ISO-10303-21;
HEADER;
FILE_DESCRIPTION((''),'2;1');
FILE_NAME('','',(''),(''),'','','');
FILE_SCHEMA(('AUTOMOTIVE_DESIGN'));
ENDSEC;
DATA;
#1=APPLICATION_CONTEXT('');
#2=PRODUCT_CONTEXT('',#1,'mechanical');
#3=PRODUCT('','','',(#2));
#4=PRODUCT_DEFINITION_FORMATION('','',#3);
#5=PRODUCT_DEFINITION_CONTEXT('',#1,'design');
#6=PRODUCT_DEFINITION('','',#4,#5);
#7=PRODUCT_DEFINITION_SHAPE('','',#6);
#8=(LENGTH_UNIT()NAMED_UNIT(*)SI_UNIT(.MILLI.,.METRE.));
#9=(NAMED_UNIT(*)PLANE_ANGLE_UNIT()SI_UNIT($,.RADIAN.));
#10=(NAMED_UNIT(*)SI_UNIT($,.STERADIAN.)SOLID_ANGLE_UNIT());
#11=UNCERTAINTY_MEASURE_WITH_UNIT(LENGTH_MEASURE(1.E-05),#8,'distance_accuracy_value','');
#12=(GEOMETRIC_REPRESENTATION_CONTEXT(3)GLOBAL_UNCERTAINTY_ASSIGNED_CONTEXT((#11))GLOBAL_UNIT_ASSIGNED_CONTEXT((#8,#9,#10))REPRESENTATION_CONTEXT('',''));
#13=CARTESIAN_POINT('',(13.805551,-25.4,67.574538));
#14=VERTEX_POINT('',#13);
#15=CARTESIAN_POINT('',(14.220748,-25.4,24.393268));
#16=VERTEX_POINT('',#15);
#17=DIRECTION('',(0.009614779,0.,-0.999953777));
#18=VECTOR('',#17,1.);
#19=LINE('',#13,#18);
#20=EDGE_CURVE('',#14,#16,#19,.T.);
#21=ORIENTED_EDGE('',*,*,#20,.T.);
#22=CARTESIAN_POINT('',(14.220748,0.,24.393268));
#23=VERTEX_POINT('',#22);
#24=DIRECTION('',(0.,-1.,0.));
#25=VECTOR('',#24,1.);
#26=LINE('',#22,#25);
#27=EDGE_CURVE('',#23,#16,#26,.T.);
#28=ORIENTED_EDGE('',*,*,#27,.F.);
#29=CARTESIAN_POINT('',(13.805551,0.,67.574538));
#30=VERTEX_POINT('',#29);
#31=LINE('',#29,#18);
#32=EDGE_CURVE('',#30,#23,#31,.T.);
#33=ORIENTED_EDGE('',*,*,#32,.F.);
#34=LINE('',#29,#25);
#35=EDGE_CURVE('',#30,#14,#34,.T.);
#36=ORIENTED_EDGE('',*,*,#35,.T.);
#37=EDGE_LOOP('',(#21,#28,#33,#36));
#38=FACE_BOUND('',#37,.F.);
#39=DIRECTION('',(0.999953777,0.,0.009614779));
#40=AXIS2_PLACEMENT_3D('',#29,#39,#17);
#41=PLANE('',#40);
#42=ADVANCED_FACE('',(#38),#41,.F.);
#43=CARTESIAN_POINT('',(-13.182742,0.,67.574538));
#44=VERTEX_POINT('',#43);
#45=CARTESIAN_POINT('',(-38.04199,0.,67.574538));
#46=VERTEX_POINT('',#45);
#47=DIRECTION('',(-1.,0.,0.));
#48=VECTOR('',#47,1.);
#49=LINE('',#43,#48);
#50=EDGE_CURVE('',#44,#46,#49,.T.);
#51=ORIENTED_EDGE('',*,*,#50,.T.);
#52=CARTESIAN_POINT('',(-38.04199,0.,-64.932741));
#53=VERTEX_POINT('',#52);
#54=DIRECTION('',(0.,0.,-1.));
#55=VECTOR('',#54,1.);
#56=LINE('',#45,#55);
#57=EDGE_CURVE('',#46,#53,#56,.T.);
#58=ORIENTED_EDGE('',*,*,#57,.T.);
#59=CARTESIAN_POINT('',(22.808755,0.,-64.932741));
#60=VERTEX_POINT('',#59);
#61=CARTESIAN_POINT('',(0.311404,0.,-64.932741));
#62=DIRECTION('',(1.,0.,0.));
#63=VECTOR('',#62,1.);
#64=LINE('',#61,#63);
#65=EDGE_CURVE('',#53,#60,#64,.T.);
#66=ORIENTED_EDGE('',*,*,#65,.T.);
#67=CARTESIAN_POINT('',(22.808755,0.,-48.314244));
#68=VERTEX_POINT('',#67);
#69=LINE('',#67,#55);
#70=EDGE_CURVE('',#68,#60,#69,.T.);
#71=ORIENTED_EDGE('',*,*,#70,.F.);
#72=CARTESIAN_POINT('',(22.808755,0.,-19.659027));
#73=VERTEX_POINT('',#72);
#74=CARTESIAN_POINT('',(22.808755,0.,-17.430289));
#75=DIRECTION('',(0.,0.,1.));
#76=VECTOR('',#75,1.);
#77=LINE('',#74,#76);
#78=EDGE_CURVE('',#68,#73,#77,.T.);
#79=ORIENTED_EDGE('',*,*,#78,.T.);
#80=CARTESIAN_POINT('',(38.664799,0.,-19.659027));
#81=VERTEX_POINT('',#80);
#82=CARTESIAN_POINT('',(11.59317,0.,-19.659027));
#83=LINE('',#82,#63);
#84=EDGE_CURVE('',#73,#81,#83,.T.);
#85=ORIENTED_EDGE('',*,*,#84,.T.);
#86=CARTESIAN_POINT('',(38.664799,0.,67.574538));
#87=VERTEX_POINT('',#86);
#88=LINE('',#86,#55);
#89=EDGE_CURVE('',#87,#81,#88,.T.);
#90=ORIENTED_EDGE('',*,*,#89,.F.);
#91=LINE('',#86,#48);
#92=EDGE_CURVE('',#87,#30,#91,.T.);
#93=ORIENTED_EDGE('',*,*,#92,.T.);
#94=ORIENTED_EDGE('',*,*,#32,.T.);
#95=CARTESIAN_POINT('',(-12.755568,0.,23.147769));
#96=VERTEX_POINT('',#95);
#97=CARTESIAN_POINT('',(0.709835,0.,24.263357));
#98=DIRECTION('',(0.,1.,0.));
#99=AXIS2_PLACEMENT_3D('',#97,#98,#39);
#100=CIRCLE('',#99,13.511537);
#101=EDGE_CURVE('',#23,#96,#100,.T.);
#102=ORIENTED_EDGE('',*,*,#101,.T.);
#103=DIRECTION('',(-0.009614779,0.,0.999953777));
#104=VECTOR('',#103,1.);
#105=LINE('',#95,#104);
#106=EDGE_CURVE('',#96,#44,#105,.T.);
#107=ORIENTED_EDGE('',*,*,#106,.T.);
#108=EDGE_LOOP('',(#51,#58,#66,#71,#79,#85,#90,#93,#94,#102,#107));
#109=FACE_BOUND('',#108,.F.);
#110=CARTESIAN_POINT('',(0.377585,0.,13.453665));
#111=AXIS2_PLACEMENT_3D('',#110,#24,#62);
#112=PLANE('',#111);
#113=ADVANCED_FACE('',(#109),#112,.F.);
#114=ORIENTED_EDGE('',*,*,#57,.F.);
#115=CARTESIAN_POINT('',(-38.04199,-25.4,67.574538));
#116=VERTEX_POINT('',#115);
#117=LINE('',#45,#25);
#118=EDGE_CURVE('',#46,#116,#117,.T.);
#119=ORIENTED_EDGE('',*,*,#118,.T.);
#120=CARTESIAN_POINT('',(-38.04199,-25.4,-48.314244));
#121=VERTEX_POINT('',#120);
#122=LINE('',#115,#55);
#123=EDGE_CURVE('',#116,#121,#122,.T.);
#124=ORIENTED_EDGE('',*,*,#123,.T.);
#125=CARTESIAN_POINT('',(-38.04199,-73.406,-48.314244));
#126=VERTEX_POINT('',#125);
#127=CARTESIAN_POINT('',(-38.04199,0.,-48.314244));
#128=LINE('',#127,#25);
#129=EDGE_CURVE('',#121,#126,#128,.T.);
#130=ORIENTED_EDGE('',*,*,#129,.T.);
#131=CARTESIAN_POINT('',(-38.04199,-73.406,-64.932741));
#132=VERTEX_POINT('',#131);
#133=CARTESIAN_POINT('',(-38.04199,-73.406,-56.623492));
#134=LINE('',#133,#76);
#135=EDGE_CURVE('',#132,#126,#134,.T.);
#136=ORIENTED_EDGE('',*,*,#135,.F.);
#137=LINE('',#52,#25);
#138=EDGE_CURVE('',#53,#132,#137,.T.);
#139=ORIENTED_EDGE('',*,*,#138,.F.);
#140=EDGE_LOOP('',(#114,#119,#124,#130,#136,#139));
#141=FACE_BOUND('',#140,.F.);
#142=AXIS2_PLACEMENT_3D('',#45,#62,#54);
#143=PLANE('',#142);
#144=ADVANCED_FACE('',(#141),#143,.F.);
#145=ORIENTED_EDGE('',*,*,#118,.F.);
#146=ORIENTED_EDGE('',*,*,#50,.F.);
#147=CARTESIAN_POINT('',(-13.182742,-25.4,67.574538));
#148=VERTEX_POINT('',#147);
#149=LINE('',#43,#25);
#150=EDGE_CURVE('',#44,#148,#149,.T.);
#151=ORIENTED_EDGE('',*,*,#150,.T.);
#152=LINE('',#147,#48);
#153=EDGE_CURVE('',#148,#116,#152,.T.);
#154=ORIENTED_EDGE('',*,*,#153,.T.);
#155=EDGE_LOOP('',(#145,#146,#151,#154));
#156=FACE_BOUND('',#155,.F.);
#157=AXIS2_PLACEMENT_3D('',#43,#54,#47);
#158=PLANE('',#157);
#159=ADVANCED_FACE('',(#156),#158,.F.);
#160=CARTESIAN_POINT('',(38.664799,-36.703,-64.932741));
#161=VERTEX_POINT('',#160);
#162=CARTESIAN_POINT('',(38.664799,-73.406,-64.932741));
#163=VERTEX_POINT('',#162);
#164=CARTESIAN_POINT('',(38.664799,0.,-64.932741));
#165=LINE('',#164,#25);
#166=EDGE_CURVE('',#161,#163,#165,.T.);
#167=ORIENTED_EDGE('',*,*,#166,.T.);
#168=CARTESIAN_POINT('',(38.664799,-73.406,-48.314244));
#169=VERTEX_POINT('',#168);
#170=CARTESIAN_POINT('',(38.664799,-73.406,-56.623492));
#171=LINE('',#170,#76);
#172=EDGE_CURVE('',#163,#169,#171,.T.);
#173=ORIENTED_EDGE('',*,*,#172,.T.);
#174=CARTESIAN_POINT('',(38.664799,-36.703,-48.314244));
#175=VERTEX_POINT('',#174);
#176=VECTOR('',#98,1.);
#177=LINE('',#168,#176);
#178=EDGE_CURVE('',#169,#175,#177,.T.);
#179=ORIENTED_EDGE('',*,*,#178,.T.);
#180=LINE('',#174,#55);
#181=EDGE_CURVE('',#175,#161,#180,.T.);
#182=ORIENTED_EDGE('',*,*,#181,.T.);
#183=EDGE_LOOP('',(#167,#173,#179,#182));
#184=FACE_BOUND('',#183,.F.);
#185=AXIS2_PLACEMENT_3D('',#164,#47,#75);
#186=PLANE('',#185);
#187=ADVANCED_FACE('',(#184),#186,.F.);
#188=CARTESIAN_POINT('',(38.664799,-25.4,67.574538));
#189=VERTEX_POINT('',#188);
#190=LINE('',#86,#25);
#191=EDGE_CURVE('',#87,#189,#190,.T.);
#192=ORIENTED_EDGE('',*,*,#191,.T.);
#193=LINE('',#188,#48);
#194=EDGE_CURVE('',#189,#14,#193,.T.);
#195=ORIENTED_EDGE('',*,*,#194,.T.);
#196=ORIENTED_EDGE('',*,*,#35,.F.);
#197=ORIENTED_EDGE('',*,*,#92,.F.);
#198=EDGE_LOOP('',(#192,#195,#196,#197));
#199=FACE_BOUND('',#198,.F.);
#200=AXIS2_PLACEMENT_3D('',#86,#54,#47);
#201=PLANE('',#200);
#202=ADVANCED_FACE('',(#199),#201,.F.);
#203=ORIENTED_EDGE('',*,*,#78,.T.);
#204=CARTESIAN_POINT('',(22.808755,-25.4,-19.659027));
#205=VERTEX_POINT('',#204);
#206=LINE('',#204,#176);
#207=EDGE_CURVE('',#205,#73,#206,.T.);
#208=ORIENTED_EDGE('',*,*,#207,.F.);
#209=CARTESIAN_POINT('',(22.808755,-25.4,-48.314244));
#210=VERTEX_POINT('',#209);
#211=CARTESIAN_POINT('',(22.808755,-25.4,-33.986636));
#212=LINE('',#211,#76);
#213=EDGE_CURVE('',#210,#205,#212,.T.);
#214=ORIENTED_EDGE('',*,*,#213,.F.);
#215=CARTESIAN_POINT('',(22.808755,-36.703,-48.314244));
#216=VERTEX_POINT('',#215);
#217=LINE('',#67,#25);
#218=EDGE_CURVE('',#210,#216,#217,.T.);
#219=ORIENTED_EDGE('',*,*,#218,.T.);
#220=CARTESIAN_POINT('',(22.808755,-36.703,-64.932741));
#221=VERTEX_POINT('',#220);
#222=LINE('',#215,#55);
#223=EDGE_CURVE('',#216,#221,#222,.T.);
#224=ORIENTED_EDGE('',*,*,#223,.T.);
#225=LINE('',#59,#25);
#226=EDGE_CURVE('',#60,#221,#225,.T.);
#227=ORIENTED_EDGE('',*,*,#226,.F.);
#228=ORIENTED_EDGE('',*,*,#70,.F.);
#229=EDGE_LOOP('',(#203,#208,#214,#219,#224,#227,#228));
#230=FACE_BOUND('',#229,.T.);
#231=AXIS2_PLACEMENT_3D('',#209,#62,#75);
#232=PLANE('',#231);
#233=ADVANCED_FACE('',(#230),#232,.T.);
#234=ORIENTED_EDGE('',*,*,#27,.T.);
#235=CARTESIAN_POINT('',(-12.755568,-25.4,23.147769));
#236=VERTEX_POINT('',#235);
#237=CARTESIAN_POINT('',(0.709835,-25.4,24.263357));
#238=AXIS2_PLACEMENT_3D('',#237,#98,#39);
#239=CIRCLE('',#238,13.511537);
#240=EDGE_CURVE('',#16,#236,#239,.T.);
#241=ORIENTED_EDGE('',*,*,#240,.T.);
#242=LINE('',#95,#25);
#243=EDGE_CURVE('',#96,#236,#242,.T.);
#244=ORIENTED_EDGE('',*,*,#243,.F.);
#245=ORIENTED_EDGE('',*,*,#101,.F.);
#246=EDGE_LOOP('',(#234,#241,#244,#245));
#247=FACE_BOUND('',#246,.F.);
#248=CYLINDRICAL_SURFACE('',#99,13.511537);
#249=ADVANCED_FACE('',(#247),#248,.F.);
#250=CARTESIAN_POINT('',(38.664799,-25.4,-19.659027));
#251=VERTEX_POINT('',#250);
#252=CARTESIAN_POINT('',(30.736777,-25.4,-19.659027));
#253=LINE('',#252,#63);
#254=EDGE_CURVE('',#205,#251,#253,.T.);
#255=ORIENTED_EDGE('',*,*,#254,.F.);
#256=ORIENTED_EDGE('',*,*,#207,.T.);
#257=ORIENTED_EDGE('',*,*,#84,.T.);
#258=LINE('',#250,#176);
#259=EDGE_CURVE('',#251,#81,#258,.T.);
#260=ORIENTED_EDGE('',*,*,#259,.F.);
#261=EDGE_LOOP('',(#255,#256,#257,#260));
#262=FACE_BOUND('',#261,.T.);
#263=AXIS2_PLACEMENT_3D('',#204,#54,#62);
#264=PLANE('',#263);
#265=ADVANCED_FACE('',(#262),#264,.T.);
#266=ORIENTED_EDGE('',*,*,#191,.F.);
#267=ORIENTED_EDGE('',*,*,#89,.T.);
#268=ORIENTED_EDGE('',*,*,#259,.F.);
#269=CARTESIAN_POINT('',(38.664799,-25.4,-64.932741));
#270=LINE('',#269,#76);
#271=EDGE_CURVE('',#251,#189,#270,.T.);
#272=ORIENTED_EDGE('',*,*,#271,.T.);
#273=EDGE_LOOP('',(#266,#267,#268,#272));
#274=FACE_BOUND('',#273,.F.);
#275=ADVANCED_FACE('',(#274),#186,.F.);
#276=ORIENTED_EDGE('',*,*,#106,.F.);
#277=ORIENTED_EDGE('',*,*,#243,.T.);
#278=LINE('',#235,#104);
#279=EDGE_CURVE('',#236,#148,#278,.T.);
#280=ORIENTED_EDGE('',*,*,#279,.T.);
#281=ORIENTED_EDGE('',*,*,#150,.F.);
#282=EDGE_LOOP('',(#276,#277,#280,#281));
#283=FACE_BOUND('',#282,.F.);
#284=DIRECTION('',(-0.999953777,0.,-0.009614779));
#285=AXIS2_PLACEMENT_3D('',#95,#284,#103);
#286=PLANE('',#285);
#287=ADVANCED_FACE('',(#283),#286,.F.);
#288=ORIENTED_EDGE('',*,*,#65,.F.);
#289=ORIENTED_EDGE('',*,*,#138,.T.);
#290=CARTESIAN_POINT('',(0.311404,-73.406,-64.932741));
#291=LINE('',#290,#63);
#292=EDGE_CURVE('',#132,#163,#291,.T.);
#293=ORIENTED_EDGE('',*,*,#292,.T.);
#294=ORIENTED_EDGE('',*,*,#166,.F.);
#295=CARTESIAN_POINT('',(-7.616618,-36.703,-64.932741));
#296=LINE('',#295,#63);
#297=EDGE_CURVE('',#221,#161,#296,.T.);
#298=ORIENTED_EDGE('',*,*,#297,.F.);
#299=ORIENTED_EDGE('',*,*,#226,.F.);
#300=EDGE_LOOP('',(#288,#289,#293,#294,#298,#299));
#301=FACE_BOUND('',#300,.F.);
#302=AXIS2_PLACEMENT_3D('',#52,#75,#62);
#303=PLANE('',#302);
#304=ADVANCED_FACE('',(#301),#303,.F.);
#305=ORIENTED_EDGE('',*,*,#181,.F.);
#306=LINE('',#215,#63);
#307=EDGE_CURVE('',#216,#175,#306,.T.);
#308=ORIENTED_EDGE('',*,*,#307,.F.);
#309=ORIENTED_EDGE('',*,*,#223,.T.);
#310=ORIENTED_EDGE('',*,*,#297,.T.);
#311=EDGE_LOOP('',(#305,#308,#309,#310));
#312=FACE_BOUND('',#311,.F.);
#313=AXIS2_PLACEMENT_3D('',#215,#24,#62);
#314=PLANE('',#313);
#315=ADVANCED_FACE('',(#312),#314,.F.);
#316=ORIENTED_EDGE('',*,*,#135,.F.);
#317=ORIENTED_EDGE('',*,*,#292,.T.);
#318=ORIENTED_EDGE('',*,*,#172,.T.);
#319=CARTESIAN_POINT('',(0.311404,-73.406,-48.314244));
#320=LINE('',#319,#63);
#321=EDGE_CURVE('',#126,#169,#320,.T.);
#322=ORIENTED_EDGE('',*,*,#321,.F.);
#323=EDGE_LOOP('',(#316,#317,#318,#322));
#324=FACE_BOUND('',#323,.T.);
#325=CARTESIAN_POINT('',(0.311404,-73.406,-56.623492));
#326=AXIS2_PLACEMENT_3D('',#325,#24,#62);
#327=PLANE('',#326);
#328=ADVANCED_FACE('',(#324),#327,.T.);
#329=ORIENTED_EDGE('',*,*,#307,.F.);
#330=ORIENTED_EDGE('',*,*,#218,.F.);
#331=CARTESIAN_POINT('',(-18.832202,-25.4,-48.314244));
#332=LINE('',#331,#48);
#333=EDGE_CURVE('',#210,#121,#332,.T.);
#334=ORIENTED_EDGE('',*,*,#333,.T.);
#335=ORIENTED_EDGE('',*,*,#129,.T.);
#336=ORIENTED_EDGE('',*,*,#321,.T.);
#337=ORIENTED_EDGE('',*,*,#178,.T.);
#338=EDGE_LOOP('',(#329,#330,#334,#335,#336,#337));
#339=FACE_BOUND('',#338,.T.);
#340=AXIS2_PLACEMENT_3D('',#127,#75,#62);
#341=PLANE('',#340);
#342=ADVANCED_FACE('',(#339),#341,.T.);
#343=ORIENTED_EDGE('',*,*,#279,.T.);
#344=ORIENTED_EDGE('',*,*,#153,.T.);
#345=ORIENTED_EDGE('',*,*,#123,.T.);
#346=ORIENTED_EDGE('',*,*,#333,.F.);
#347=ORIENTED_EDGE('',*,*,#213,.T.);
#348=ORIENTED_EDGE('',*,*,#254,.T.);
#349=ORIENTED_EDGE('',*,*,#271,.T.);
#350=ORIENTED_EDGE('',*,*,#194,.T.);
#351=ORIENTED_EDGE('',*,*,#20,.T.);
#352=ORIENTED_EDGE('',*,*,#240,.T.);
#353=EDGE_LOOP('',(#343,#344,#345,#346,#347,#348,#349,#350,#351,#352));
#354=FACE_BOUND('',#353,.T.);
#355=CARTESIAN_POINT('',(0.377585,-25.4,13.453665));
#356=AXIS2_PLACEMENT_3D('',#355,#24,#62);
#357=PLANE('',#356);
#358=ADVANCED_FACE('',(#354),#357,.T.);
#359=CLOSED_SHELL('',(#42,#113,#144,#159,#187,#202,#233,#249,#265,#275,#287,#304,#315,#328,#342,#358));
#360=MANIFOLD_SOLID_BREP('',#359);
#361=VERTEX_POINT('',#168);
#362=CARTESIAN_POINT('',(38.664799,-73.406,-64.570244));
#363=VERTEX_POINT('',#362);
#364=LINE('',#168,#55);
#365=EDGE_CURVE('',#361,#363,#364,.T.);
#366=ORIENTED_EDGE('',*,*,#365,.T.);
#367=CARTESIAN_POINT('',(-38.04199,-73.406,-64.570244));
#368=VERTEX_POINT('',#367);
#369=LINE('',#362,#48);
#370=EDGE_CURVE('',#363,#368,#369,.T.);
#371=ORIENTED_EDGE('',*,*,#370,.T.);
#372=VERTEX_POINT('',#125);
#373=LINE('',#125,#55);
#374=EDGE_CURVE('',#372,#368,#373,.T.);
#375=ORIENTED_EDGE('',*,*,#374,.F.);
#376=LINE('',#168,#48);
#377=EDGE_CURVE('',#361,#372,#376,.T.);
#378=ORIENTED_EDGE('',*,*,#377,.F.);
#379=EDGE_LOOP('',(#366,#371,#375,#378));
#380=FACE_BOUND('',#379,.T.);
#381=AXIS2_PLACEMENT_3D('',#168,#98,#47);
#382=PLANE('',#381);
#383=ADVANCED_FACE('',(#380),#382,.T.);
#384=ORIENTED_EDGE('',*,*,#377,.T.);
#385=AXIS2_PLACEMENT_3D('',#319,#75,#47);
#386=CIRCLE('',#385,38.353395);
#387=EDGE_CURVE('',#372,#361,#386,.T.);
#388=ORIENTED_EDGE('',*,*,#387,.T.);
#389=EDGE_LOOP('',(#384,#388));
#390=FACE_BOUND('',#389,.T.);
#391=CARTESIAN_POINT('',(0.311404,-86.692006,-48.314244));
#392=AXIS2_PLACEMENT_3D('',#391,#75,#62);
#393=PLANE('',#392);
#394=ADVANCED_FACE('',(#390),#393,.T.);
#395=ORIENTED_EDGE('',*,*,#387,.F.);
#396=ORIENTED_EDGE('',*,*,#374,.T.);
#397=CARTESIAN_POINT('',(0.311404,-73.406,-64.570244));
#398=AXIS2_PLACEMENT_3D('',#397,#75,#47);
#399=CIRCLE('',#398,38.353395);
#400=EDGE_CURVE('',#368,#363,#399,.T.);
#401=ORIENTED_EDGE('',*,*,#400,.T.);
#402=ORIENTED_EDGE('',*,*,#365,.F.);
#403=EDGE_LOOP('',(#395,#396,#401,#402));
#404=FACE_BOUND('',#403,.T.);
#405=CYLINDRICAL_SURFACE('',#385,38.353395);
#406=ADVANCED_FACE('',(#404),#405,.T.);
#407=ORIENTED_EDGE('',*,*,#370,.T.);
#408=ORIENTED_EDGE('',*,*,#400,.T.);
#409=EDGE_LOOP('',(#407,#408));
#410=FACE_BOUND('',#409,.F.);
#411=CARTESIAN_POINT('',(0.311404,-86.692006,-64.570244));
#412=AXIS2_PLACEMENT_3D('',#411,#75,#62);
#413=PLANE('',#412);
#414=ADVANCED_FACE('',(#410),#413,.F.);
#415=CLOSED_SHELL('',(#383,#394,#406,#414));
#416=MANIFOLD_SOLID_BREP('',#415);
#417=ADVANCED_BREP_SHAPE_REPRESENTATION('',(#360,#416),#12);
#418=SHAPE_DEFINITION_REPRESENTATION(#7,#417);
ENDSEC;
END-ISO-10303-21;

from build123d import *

# Parameters (mm, degrees)
F0_W     = 76.706789434
F0_H     = 16.6184976697
F1_DEPTH = 25.4
F2_DEPTH = 73.406
F4_DEPTH = 16.256
F5_W     = 15.856044367
F5_H     = 28.6552160978
F6_DEPTH = 177.8
F8_DEPTH = 177.8


with BuildPart() as f1:
    # F0 (on Front) → F1 (new body)
    with BuildSketch(Plane.XZ):
        with BuildLine():
            Line((-13.1827415898, 67.5745382905), (-38.0419902503, 67.5745382905))
            Line((-38.0419902503, 67.5745382905), (-38.0419902503, -48.3142435551))
            Line((-38.0419902503, -48.3142435551), (38.6647991836, -48.3142435551))
            Line((38.6647991836, -48.3142435551), (38.6647991836, 67.5745382905))
            Line((38.6647991836, 67.5745382905), (13.8055505231, 67.5745382905))
            Line((13.8055505231, 67.5745382905), (14.2207480967, 24.3932679296))
            ThreePointArc((14.2207480967, 24.3932679296), (1.3330005571, 10.7661984691), (-12.7555682648, 23.1477689379))
            Line((-12.7555682648, 23.1477689379), (-13.1827415898, 67.5745382905))
        make_face()
        with Locations((0.3114044666, -56.6234923899)):
            Rectangle(F0_W, F0_H)
    extrude(amount=F1_DEPTH)

    # F0 (on Front) → F2 (join)
    with BuildSketch(Plane.XZ):
        with Locations((0.3114044666, -56.6234923899)):
            Rectangle(F0_W, F0_H)
    extrude(amount=F2_DEPTH)

    # F5 (on face) → F6 (cut)
    with BuildSketch(Plane.XZ.offset(25.4)):
        with Locations((30.7367770001, -33.9866355062)):
            Rectangle(F5_W, F5_H)
    extrude(amount=-F6_DEPTH, mode=Mode.SUBTRACT)

    # F7 (on face) → F8 (cut)
    with BuildSketch(Plane.XY.offset(-48.3142435551)):
        Polygon((22.8087548167, 0), (22.8087548167, -25.4), (22.8087548167, -36.703), (38.6647991836, -36.703), (38.6647991836, 0), align=None)
    extrude(amount=-F8_DEPTH, mode=Mode.SUBTRACT)


with BuildPart() as f4:
    # F3 (on face) → F4 (new body)
    with BuildSketch(Plane.XY.offset(-48.3142435551)):
        with BuildLine():
            Line((38.6647991836, -73.406), (-38.0419902503, -73.406))
            ThreePointArc((-38.0419902503, -73.406), (0.3114044666, -111.759394717), (38.6647991836, -73.406))
        make_face()
    extrude(amount=-F4_DEPTH)


solid = Compound([f1.part, f4.part])
